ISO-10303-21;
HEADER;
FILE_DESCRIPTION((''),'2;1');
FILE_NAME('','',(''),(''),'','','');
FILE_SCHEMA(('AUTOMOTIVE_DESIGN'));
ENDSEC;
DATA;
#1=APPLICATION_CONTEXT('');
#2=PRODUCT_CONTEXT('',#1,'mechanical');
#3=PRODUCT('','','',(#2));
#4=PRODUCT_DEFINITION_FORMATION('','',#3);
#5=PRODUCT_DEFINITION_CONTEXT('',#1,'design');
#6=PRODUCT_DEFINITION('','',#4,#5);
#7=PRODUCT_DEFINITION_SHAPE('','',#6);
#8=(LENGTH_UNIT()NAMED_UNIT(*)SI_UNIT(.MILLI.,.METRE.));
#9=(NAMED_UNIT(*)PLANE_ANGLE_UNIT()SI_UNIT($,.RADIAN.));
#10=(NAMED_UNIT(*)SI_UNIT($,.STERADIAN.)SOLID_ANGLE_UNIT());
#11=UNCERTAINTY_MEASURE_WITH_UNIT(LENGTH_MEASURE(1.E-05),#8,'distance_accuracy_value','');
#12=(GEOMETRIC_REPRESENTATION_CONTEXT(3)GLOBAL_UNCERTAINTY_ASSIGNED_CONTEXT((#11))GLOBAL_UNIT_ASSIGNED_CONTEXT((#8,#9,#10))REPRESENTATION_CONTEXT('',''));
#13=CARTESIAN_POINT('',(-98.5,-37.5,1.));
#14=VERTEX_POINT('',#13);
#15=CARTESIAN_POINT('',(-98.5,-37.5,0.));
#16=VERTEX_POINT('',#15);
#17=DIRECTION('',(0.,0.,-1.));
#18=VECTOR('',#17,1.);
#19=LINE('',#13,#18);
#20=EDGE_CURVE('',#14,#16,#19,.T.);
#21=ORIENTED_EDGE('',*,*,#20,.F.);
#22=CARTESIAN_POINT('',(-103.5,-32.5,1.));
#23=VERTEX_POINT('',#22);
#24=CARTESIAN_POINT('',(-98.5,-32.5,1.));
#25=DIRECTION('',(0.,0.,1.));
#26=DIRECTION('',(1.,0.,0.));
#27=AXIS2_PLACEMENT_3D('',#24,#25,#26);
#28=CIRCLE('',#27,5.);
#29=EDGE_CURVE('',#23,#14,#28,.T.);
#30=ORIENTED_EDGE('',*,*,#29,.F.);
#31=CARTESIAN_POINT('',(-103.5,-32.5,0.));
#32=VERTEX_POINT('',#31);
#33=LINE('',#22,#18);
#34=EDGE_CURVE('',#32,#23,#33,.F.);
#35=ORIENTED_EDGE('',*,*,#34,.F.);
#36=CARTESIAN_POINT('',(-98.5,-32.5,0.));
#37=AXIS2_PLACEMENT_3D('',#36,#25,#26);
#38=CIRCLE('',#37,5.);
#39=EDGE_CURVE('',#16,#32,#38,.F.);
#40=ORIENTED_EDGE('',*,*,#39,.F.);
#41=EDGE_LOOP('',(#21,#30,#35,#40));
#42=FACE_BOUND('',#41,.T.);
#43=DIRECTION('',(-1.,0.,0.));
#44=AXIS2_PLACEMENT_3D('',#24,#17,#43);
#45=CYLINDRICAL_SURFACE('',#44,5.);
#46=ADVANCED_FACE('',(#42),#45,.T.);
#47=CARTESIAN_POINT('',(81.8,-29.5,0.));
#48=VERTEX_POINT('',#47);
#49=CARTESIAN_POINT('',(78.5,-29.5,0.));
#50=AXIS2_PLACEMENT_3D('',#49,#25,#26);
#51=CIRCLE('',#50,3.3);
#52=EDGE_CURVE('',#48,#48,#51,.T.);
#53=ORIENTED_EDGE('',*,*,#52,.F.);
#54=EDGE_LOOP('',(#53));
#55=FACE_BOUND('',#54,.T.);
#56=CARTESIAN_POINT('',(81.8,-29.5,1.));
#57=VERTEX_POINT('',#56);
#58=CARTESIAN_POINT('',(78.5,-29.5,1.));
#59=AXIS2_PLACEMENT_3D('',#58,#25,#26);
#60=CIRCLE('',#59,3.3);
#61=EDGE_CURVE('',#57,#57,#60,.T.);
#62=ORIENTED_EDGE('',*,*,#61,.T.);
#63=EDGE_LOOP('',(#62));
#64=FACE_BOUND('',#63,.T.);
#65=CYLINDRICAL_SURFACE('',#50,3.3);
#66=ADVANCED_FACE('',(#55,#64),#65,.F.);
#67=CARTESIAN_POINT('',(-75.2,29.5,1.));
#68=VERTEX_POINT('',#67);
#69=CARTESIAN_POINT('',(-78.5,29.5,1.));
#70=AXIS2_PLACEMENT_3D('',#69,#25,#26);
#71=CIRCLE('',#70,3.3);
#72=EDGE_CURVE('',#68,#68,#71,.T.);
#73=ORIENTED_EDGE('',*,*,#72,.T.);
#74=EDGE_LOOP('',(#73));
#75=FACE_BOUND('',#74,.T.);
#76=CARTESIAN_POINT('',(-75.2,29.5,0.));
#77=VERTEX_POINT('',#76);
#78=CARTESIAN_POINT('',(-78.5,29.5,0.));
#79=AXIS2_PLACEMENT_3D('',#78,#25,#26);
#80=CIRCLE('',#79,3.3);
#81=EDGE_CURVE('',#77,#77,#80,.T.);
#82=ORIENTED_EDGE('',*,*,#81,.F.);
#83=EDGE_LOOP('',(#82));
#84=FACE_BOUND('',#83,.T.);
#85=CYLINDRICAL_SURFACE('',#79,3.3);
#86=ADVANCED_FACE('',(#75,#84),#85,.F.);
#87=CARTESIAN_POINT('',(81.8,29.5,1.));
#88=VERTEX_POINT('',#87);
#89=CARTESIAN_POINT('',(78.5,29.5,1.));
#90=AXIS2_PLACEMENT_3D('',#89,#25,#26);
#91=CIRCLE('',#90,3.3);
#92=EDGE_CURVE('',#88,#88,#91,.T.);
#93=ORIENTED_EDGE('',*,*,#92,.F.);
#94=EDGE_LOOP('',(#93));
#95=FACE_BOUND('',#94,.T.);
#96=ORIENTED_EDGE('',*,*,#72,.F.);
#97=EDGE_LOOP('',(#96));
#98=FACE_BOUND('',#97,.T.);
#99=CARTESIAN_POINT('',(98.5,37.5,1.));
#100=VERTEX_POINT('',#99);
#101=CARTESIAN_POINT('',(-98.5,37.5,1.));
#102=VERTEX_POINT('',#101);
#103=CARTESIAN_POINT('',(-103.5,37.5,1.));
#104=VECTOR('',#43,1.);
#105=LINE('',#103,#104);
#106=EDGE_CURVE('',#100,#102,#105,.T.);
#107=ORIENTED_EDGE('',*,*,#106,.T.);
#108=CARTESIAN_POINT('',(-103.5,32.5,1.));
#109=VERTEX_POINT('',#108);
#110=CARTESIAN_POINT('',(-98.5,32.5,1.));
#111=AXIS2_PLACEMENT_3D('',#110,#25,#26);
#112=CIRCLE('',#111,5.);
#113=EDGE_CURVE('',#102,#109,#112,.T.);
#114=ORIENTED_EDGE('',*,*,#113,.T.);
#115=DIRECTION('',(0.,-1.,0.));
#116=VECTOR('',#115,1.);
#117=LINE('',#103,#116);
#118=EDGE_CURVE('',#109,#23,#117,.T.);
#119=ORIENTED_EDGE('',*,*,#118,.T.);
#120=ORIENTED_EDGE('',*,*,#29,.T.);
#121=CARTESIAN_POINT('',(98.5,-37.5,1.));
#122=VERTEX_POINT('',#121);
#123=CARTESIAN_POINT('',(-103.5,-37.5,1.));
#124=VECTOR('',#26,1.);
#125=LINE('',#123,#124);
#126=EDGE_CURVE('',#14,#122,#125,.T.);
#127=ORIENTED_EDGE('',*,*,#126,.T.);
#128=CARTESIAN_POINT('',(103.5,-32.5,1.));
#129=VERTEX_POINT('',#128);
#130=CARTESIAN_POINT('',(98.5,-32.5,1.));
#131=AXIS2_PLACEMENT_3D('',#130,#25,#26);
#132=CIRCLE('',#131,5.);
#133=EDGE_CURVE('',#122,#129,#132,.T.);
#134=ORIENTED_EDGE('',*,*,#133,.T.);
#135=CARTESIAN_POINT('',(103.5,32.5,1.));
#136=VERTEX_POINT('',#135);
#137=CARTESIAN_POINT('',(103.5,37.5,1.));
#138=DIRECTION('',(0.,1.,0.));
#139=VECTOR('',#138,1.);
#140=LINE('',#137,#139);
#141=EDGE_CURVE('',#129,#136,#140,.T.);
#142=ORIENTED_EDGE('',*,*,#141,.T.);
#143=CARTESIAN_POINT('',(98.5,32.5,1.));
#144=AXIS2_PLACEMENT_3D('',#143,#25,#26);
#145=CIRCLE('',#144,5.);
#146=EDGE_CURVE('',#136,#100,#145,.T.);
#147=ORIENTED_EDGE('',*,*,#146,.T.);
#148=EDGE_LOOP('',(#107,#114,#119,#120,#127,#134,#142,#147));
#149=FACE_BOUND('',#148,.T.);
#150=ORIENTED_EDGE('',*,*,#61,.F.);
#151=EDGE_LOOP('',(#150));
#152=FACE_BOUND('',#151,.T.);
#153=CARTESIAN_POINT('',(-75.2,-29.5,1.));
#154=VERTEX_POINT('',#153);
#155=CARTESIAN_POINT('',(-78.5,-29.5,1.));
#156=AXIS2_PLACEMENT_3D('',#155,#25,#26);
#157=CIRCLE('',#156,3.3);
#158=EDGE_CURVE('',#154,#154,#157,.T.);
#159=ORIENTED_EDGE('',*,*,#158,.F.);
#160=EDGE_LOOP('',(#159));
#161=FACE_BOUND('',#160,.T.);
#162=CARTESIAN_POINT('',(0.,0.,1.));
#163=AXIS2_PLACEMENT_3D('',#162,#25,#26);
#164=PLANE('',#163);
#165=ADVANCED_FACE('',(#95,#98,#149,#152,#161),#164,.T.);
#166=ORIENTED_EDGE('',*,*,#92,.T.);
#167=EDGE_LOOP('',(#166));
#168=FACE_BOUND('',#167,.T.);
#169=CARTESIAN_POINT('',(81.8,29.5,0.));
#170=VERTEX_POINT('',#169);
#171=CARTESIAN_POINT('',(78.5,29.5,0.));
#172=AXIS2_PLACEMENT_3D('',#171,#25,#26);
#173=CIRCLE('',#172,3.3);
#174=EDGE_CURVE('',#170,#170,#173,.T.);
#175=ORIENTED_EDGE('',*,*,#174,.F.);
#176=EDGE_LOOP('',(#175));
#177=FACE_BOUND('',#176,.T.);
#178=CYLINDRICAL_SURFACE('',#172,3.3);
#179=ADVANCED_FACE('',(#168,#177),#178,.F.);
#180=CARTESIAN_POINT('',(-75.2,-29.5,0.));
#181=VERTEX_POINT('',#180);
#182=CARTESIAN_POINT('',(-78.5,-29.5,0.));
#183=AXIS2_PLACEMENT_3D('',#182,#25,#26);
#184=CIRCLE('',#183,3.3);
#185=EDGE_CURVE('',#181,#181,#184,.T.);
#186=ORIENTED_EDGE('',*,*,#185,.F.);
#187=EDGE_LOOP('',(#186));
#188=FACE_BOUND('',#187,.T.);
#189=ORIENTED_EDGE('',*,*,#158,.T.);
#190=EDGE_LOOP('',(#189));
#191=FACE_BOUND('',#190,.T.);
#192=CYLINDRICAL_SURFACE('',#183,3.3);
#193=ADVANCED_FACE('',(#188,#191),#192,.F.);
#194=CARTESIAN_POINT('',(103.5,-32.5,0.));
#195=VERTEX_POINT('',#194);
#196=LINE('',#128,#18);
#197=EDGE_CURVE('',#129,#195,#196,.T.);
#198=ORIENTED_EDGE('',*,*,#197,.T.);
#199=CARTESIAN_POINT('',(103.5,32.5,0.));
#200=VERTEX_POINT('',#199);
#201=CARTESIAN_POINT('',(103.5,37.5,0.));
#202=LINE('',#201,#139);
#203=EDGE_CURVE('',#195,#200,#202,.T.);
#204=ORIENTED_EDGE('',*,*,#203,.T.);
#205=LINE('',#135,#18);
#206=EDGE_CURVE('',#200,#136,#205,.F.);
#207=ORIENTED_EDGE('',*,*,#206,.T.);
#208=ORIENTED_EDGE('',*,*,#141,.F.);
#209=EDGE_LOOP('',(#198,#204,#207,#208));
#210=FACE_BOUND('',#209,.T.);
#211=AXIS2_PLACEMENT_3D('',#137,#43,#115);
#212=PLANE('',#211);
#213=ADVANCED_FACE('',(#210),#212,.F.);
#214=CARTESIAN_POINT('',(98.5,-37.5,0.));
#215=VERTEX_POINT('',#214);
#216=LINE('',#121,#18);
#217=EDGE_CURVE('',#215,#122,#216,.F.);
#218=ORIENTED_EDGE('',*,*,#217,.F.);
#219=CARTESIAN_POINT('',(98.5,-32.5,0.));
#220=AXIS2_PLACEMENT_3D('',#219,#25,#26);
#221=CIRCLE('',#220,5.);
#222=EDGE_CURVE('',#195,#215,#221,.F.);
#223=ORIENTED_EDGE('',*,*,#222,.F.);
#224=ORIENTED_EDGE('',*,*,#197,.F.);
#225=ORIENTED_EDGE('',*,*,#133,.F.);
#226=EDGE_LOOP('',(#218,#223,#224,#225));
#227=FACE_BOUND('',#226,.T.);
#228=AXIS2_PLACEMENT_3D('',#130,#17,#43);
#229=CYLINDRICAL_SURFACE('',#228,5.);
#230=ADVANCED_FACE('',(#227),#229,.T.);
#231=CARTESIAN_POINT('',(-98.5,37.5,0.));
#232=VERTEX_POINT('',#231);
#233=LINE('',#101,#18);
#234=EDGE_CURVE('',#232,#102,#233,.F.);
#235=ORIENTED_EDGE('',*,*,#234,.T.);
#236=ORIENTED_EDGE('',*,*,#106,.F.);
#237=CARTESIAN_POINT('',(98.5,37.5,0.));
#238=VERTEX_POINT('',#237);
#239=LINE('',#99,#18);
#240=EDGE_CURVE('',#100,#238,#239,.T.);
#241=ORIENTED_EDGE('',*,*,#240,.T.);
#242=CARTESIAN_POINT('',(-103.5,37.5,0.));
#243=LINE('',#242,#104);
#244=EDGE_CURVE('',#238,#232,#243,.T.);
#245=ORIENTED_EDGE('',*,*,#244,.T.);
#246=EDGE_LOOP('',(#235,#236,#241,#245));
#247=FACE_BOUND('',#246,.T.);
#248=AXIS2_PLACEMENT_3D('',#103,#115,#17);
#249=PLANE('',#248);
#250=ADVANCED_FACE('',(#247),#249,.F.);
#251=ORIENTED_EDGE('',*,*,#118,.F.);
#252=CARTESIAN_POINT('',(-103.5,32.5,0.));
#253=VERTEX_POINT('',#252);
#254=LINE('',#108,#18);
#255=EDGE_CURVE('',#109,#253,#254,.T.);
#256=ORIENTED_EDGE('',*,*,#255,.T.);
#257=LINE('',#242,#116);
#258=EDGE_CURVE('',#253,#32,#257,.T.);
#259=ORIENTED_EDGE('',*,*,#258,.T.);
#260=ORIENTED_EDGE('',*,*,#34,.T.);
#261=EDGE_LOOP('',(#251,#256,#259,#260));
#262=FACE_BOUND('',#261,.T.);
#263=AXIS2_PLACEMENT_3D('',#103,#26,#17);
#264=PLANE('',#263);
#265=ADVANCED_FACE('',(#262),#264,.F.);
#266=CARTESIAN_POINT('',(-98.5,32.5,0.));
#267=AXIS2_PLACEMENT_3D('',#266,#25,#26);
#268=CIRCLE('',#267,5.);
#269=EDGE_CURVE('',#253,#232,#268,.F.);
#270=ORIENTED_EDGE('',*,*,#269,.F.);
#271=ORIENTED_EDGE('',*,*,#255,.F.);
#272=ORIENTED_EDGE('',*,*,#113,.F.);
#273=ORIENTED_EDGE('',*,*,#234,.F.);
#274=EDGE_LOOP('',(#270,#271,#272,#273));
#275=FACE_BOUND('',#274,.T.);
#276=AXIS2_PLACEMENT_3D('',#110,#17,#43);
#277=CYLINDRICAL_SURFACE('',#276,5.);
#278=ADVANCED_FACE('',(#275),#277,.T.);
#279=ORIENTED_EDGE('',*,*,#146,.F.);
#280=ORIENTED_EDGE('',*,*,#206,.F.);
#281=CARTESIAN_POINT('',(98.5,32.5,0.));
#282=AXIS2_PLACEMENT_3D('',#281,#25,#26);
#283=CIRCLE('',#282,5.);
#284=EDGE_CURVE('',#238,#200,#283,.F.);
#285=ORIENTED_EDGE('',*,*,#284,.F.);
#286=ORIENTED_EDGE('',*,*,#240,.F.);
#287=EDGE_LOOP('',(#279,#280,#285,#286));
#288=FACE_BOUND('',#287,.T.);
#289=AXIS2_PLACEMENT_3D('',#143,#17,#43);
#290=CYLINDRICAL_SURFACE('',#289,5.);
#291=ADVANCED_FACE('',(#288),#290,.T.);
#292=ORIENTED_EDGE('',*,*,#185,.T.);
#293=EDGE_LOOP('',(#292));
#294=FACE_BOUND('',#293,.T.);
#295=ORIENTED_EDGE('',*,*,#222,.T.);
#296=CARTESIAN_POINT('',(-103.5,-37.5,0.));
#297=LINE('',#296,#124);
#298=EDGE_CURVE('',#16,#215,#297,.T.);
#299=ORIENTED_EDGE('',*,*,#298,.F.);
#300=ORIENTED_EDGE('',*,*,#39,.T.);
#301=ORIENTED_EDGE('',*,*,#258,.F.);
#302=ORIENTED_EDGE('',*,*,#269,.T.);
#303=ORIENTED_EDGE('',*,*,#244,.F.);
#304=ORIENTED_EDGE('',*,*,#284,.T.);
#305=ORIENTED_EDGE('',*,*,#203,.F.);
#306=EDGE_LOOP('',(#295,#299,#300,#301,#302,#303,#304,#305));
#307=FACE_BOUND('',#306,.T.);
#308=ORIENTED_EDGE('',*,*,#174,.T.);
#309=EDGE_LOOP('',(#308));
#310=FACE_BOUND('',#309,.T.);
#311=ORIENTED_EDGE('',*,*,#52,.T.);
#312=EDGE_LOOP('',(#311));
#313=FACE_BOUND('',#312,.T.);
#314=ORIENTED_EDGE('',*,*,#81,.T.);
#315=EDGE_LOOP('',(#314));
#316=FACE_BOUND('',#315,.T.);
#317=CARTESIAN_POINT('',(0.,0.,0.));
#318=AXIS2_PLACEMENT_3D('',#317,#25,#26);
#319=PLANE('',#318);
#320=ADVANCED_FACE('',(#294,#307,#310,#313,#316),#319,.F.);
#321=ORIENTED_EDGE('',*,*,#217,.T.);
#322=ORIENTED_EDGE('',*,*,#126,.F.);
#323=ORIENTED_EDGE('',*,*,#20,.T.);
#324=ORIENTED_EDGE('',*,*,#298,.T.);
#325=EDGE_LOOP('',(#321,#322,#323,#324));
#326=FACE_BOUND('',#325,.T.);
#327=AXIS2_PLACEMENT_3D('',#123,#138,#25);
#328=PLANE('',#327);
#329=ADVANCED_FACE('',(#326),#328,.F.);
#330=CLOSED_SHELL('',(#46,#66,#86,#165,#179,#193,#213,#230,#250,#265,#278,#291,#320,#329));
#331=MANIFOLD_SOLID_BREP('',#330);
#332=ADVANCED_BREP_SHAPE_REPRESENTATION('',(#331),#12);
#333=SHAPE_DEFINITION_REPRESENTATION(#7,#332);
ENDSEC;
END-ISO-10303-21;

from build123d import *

# Parameters (mm, degrees)
SKETCH_1_W          = 207
SKETCH_1_H          = 75
EXTRUDE_1_DEPTH     = 1
SKETCH_2_R          = 3.3
CUT_EXTRUDE_1_DEPTH = 111.088600681
FILLET_1_R          = 5


with BuildPart() as part:
    # 草图1 → 凸台-拉伸1 (new body)
    with BuildSketch(Plane.XY):
        Rectangle(SKETCH_1_W, SKETCH_1_H)
    extrude(amount=EXTRUDE_1_DEPTH)

    # 草图2 → 切除-拉伸1 (cut, through all)
    with BuildSketch(Plane.XY.offset(1)):
        with Locations((-78.5, 29.5)):
            Circle(SKETCH_2_R)
        with Locations((78.5, 29.5)):
            Circle(SKETCH_2_R)
        with Locations((-78.5, -29.5)):
            Circle(SKETCH_2_R)
        with Locations((78.5, -29.5)):
            Circle(SKETCH_2_R)
    extrude(amount=-CUT_EXTRUDE_1_DEPTH, mode=Mode.SUBTRACT)

    # 圆角1
    fillet_1_edges = [part.edges().sort_by_distance(p)[0] for p in [
        (103.5, -37.5, 0.5),
        (-103.5, -37.5, 0.5),
        (-103.5, 37.5, 0.5),
        (103.5, 37.5, 0.5),
    ]]
    fillet(fillet_1_edges, radius=FILLET_1_R)


solid = part.part
